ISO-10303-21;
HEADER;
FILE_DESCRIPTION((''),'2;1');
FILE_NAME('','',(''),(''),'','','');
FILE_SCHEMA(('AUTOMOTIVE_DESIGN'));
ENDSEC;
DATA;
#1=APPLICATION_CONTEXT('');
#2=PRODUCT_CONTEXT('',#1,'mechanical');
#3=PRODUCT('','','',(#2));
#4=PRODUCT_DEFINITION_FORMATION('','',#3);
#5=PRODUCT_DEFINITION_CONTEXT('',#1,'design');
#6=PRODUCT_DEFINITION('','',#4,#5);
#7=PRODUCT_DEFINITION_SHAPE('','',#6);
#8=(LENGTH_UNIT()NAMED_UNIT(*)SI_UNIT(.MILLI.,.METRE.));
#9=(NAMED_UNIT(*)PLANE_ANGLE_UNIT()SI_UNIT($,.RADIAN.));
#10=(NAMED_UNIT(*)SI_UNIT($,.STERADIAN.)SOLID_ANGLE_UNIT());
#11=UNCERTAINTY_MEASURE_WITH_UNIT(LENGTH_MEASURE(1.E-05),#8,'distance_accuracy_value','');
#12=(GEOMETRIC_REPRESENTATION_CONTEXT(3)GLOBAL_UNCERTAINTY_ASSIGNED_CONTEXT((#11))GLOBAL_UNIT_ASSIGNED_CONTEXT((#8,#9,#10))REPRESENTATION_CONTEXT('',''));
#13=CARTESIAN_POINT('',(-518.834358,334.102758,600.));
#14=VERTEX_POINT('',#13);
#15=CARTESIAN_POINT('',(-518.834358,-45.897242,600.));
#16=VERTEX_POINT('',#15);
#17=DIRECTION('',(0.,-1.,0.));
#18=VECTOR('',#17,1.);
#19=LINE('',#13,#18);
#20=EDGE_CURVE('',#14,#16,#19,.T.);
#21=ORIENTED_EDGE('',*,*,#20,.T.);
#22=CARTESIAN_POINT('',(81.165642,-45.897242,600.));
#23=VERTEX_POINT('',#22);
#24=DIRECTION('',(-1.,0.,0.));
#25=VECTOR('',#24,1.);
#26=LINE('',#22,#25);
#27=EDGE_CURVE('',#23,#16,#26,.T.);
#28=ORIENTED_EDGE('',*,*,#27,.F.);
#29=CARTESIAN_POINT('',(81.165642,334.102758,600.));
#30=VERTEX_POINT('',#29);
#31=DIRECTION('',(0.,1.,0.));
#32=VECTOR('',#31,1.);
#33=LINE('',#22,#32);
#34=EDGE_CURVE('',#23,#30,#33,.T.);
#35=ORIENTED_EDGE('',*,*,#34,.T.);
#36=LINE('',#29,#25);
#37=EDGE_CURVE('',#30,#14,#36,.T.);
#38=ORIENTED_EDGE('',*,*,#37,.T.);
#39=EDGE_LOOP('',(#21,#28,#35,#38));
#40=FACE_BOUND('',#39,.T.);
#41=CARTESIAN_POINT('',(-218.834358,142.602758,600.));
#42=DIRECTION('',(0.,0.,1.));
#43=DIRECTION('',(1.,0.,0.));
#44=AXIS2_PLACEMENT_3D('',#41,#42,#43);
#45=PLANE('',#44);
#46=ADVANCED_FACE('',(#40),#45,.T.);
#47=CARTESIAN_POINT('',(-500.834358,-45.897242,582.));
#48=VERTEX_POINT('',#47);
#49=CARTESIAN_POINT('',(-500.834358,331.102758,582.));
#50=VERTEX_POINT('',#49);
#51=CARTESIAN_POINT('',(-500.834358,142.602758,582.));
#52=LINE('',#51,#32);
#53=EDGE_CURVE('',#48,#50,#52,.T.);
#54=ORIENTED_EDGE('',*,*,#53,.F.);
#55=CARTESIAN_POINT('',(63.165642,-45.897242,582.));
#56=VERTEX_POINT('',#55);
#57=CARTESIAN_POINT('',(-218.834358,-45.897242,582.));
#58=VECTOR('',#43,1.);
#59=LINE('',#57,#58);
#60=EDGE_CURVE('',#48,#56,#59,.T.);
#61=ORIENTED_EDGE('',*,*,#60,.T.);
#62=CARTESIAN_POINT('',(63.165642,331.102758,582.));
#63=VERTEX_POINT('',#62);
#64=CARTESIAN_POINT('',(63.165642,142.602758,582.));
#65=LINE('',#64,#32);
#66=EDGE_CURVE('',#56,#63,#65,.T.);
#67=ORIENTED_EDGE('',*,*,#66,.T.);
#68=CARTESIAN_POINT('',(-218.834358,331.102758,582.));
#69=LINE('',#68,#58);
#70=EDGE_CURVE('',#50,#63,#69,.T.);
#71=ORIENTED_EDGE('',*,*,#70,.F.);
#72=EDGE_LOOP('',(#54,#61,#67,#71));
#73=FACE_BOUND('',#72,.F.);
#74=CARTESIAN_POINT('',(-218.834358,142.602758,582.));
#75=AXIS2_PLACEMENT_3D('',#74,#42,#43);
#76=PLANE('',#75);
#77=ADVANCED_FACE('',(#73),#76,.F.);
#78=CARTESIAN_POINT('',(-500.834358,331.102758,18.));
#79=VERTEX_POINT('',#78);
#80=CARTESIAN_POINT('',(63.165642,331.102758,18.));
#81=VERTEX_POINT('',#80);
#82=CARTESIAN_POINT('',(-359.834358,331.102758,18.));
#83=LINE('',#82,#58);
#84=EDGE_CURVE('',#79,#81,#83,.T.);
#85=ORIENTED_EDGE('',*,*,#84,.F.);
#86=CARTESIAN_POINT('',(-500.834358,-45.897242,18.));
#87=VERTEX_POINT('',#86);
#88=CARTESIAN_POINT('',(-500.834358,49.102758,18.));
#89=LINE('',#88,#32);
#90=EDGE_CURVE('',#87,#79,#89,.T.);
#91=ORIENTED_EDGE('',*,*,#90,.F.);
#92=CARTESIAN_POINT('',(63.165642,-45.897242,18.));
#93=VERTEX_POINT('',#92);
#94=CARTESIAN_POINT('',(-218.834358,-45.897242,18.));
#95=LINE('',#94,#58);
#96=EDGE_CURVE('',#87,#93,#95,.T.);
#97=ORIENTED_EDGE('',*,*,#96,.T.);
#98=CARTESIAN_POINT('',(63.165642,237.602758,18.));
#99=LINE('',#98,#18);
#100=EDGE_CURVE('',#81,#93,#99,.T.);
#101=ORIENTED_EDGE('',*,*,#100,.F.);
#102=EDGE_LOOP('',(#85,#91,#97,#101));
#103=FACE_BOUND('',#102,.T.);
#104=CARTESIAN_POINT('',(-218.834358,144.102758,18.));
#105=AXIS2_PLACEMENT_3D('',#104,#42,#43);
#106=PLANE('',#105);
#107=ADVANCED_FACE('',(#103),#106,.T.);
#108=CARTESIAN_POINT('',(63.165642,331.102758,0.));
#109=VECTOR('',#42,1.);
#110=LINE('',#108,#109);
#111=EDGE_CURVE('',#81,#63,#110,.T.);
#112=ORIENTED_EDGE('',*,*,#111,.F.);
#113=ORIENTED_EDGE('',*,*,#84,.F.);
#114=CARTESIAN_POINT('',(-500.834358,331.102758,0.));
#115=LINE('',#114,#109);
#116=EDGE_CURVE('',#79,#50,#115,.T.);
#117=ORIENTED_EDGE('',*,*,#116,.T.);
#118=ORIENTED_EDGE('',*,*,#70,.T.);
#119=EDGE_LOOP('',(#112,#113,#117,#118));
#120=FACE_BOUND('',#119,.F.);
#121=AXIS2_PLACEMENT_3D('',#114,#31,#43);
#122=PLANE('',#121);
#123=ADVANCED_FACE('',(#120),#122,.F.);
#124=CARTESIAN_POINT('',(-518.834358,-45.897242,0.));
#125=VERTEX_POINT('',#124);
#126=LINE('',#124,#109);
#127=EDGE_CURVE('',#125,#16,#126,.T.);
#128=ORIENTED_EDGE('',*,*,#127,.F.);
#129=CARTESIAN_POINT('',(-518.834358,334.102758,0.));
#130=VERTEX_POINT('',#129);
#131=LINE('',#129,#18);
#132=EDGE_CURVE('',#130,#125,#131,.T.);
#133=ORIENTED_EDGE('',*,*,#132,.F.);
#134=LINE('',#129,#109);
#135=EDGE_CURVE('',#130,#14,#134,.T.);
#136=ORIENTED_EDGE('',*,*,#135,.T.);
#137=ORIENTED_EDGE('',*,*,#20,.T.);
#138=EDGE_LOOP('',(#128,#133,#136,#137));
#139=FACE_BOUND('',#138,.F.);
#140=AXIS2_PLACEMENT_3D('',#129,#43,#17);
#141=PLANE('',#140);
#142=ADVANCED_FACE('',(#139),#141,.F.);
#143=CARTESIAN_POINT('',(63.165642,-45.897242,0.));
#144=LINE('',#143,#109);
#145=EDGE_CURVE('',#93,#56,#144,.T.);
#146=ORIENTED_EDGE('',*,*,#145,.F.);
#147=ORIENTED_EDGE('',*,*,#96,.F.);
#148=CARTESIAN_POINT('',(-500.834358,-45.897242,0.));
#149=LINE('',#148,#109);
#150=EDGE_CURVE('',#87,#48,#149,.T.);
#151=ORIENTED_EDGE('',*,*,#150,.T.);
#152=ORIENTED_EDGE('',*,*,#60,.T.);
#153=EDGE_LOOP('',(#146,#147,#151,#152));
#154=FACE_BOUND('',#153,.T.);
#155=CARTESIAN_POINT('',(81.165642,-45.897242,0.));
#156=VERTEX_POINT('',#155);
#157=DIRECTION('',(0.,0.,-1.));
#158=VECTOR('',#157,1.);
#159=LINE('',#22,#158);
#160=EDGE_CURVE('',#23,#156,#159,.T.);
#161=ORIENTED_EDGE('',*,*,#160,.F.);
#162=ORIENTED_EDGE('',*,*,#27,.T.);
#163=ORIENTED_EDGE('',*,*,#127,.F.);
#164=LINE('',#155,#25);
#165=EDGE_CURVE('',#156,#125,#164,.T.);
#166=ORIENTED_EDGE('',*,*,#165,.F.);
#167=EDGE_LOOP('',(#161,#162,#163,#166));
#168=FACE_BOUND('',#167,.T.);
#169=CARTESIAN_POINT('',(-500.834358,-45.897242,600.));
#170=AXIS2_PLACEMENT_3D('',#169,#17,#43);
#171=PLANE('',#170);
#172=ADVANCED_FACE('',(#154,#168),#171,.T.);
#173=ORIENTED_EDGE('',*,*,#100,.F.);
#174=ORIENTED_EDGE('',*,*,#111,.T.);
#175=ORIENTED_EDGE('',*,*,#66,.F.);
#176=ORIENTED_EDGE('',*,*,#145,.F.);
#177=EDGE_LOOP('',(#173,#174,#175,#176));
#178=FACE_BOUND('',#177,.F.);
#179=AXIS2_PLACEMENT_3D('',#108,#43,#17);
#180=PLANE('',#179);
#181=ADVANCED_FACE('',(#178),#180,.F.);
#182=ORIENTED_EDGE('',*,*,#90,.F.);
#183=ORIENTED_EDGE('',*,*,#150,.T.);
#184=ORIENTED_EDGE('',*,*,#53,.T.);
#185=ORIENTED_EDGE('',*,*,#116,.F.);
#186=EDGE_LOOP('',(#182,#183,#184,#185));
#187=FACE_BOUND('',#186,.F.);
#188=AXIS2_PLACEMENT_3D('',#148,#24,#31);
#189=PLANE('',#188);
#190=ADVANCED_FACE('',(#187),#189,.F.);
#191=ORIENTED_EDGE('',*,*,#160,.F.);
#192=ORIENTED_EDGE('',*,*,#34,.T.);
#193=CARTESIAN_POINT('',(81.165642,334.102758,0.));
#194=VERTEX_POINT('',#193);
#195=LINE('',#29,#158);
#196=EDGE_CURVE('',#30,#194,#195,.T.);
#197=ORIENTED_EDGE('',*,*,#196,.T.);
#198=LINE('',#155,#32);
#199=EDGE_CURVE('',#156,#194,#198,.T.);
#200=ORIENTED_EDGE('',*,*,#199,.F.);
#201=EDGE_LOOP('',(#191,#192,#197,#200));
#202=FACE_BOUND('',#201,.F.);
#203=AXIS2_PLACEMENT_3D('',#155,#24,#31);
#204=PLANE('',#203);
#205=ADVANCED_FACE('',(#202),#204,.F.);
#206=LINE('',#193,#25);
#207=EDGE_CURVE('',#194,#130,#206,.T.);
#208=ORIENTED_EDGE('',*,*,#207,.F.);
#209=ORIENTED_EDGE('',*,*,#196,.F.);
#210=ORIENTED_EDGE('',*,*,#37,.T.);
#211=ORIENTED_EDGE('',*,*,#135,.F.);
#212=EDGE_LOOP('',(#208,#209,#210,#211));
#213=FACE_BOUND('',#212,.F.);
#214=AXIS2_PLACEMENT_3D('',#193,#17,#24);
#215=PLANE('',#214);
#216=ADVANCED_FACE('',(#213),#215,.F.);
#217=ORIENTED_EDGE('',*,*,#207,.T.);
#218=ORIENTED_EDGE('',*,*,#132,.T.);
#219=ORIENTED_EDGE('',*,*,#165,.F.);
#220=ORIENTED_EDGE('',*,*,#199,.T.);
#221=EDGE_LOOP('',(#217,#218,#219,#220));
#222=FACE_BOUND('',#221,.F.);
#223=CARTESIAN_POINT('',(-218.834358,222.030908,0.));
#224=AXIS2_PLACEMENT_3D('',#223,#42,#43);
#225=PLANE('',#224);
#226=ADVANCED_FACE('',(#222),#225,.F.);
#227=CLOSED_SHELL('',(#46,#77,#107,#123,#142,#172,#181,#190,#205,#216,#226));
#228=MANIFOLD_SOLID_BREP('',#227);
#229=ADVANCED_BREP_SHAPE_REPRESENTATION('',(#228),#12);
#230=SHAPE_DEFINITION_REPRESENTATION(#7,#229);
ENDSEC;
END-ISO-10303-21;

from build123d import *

# Parameters (mm, degrees)
F2_DEPTH = 600
F1_W     = 600
F1_H     = 380
F3_DEPTH = 18
F4_W     = 564
F4_H     = 377
F5_DEPTH = 18


with BuildPart() as f2:
    # F0 (on Top) → F2 (new body)
    with BuildSketch(Plane.XY):
        Polygon((81.165642, 334.102758), (-518.834358, 334.102758), (-518.834358, -45.897242), (-500.834358, -45.897242), (-500.834358, 331.102758), (63.165642, 331.102758), (63.165642, -45.897242), (81.165642, -45.897242), align=None)
    extrude(amount=F2_DEPTH)

    # F1 (on Top) → F3 (join)
    with BuildSketch(Plane.XY):
        with Locations((-218.834358, 144.102758)):
            Rectangle(F1_W, F1_H)
    extrude(amount=F3_DEPTH)

    # F4 (on face) → F5 (join)
    with BuildSketch(Plane.XY.offset(600)):
        with Locations((-218.834358, 142.602758)):
            Rectangle(F4_W, F4_H)
    extrude(amount=-F5_DEPTH)


solid = f2.part
